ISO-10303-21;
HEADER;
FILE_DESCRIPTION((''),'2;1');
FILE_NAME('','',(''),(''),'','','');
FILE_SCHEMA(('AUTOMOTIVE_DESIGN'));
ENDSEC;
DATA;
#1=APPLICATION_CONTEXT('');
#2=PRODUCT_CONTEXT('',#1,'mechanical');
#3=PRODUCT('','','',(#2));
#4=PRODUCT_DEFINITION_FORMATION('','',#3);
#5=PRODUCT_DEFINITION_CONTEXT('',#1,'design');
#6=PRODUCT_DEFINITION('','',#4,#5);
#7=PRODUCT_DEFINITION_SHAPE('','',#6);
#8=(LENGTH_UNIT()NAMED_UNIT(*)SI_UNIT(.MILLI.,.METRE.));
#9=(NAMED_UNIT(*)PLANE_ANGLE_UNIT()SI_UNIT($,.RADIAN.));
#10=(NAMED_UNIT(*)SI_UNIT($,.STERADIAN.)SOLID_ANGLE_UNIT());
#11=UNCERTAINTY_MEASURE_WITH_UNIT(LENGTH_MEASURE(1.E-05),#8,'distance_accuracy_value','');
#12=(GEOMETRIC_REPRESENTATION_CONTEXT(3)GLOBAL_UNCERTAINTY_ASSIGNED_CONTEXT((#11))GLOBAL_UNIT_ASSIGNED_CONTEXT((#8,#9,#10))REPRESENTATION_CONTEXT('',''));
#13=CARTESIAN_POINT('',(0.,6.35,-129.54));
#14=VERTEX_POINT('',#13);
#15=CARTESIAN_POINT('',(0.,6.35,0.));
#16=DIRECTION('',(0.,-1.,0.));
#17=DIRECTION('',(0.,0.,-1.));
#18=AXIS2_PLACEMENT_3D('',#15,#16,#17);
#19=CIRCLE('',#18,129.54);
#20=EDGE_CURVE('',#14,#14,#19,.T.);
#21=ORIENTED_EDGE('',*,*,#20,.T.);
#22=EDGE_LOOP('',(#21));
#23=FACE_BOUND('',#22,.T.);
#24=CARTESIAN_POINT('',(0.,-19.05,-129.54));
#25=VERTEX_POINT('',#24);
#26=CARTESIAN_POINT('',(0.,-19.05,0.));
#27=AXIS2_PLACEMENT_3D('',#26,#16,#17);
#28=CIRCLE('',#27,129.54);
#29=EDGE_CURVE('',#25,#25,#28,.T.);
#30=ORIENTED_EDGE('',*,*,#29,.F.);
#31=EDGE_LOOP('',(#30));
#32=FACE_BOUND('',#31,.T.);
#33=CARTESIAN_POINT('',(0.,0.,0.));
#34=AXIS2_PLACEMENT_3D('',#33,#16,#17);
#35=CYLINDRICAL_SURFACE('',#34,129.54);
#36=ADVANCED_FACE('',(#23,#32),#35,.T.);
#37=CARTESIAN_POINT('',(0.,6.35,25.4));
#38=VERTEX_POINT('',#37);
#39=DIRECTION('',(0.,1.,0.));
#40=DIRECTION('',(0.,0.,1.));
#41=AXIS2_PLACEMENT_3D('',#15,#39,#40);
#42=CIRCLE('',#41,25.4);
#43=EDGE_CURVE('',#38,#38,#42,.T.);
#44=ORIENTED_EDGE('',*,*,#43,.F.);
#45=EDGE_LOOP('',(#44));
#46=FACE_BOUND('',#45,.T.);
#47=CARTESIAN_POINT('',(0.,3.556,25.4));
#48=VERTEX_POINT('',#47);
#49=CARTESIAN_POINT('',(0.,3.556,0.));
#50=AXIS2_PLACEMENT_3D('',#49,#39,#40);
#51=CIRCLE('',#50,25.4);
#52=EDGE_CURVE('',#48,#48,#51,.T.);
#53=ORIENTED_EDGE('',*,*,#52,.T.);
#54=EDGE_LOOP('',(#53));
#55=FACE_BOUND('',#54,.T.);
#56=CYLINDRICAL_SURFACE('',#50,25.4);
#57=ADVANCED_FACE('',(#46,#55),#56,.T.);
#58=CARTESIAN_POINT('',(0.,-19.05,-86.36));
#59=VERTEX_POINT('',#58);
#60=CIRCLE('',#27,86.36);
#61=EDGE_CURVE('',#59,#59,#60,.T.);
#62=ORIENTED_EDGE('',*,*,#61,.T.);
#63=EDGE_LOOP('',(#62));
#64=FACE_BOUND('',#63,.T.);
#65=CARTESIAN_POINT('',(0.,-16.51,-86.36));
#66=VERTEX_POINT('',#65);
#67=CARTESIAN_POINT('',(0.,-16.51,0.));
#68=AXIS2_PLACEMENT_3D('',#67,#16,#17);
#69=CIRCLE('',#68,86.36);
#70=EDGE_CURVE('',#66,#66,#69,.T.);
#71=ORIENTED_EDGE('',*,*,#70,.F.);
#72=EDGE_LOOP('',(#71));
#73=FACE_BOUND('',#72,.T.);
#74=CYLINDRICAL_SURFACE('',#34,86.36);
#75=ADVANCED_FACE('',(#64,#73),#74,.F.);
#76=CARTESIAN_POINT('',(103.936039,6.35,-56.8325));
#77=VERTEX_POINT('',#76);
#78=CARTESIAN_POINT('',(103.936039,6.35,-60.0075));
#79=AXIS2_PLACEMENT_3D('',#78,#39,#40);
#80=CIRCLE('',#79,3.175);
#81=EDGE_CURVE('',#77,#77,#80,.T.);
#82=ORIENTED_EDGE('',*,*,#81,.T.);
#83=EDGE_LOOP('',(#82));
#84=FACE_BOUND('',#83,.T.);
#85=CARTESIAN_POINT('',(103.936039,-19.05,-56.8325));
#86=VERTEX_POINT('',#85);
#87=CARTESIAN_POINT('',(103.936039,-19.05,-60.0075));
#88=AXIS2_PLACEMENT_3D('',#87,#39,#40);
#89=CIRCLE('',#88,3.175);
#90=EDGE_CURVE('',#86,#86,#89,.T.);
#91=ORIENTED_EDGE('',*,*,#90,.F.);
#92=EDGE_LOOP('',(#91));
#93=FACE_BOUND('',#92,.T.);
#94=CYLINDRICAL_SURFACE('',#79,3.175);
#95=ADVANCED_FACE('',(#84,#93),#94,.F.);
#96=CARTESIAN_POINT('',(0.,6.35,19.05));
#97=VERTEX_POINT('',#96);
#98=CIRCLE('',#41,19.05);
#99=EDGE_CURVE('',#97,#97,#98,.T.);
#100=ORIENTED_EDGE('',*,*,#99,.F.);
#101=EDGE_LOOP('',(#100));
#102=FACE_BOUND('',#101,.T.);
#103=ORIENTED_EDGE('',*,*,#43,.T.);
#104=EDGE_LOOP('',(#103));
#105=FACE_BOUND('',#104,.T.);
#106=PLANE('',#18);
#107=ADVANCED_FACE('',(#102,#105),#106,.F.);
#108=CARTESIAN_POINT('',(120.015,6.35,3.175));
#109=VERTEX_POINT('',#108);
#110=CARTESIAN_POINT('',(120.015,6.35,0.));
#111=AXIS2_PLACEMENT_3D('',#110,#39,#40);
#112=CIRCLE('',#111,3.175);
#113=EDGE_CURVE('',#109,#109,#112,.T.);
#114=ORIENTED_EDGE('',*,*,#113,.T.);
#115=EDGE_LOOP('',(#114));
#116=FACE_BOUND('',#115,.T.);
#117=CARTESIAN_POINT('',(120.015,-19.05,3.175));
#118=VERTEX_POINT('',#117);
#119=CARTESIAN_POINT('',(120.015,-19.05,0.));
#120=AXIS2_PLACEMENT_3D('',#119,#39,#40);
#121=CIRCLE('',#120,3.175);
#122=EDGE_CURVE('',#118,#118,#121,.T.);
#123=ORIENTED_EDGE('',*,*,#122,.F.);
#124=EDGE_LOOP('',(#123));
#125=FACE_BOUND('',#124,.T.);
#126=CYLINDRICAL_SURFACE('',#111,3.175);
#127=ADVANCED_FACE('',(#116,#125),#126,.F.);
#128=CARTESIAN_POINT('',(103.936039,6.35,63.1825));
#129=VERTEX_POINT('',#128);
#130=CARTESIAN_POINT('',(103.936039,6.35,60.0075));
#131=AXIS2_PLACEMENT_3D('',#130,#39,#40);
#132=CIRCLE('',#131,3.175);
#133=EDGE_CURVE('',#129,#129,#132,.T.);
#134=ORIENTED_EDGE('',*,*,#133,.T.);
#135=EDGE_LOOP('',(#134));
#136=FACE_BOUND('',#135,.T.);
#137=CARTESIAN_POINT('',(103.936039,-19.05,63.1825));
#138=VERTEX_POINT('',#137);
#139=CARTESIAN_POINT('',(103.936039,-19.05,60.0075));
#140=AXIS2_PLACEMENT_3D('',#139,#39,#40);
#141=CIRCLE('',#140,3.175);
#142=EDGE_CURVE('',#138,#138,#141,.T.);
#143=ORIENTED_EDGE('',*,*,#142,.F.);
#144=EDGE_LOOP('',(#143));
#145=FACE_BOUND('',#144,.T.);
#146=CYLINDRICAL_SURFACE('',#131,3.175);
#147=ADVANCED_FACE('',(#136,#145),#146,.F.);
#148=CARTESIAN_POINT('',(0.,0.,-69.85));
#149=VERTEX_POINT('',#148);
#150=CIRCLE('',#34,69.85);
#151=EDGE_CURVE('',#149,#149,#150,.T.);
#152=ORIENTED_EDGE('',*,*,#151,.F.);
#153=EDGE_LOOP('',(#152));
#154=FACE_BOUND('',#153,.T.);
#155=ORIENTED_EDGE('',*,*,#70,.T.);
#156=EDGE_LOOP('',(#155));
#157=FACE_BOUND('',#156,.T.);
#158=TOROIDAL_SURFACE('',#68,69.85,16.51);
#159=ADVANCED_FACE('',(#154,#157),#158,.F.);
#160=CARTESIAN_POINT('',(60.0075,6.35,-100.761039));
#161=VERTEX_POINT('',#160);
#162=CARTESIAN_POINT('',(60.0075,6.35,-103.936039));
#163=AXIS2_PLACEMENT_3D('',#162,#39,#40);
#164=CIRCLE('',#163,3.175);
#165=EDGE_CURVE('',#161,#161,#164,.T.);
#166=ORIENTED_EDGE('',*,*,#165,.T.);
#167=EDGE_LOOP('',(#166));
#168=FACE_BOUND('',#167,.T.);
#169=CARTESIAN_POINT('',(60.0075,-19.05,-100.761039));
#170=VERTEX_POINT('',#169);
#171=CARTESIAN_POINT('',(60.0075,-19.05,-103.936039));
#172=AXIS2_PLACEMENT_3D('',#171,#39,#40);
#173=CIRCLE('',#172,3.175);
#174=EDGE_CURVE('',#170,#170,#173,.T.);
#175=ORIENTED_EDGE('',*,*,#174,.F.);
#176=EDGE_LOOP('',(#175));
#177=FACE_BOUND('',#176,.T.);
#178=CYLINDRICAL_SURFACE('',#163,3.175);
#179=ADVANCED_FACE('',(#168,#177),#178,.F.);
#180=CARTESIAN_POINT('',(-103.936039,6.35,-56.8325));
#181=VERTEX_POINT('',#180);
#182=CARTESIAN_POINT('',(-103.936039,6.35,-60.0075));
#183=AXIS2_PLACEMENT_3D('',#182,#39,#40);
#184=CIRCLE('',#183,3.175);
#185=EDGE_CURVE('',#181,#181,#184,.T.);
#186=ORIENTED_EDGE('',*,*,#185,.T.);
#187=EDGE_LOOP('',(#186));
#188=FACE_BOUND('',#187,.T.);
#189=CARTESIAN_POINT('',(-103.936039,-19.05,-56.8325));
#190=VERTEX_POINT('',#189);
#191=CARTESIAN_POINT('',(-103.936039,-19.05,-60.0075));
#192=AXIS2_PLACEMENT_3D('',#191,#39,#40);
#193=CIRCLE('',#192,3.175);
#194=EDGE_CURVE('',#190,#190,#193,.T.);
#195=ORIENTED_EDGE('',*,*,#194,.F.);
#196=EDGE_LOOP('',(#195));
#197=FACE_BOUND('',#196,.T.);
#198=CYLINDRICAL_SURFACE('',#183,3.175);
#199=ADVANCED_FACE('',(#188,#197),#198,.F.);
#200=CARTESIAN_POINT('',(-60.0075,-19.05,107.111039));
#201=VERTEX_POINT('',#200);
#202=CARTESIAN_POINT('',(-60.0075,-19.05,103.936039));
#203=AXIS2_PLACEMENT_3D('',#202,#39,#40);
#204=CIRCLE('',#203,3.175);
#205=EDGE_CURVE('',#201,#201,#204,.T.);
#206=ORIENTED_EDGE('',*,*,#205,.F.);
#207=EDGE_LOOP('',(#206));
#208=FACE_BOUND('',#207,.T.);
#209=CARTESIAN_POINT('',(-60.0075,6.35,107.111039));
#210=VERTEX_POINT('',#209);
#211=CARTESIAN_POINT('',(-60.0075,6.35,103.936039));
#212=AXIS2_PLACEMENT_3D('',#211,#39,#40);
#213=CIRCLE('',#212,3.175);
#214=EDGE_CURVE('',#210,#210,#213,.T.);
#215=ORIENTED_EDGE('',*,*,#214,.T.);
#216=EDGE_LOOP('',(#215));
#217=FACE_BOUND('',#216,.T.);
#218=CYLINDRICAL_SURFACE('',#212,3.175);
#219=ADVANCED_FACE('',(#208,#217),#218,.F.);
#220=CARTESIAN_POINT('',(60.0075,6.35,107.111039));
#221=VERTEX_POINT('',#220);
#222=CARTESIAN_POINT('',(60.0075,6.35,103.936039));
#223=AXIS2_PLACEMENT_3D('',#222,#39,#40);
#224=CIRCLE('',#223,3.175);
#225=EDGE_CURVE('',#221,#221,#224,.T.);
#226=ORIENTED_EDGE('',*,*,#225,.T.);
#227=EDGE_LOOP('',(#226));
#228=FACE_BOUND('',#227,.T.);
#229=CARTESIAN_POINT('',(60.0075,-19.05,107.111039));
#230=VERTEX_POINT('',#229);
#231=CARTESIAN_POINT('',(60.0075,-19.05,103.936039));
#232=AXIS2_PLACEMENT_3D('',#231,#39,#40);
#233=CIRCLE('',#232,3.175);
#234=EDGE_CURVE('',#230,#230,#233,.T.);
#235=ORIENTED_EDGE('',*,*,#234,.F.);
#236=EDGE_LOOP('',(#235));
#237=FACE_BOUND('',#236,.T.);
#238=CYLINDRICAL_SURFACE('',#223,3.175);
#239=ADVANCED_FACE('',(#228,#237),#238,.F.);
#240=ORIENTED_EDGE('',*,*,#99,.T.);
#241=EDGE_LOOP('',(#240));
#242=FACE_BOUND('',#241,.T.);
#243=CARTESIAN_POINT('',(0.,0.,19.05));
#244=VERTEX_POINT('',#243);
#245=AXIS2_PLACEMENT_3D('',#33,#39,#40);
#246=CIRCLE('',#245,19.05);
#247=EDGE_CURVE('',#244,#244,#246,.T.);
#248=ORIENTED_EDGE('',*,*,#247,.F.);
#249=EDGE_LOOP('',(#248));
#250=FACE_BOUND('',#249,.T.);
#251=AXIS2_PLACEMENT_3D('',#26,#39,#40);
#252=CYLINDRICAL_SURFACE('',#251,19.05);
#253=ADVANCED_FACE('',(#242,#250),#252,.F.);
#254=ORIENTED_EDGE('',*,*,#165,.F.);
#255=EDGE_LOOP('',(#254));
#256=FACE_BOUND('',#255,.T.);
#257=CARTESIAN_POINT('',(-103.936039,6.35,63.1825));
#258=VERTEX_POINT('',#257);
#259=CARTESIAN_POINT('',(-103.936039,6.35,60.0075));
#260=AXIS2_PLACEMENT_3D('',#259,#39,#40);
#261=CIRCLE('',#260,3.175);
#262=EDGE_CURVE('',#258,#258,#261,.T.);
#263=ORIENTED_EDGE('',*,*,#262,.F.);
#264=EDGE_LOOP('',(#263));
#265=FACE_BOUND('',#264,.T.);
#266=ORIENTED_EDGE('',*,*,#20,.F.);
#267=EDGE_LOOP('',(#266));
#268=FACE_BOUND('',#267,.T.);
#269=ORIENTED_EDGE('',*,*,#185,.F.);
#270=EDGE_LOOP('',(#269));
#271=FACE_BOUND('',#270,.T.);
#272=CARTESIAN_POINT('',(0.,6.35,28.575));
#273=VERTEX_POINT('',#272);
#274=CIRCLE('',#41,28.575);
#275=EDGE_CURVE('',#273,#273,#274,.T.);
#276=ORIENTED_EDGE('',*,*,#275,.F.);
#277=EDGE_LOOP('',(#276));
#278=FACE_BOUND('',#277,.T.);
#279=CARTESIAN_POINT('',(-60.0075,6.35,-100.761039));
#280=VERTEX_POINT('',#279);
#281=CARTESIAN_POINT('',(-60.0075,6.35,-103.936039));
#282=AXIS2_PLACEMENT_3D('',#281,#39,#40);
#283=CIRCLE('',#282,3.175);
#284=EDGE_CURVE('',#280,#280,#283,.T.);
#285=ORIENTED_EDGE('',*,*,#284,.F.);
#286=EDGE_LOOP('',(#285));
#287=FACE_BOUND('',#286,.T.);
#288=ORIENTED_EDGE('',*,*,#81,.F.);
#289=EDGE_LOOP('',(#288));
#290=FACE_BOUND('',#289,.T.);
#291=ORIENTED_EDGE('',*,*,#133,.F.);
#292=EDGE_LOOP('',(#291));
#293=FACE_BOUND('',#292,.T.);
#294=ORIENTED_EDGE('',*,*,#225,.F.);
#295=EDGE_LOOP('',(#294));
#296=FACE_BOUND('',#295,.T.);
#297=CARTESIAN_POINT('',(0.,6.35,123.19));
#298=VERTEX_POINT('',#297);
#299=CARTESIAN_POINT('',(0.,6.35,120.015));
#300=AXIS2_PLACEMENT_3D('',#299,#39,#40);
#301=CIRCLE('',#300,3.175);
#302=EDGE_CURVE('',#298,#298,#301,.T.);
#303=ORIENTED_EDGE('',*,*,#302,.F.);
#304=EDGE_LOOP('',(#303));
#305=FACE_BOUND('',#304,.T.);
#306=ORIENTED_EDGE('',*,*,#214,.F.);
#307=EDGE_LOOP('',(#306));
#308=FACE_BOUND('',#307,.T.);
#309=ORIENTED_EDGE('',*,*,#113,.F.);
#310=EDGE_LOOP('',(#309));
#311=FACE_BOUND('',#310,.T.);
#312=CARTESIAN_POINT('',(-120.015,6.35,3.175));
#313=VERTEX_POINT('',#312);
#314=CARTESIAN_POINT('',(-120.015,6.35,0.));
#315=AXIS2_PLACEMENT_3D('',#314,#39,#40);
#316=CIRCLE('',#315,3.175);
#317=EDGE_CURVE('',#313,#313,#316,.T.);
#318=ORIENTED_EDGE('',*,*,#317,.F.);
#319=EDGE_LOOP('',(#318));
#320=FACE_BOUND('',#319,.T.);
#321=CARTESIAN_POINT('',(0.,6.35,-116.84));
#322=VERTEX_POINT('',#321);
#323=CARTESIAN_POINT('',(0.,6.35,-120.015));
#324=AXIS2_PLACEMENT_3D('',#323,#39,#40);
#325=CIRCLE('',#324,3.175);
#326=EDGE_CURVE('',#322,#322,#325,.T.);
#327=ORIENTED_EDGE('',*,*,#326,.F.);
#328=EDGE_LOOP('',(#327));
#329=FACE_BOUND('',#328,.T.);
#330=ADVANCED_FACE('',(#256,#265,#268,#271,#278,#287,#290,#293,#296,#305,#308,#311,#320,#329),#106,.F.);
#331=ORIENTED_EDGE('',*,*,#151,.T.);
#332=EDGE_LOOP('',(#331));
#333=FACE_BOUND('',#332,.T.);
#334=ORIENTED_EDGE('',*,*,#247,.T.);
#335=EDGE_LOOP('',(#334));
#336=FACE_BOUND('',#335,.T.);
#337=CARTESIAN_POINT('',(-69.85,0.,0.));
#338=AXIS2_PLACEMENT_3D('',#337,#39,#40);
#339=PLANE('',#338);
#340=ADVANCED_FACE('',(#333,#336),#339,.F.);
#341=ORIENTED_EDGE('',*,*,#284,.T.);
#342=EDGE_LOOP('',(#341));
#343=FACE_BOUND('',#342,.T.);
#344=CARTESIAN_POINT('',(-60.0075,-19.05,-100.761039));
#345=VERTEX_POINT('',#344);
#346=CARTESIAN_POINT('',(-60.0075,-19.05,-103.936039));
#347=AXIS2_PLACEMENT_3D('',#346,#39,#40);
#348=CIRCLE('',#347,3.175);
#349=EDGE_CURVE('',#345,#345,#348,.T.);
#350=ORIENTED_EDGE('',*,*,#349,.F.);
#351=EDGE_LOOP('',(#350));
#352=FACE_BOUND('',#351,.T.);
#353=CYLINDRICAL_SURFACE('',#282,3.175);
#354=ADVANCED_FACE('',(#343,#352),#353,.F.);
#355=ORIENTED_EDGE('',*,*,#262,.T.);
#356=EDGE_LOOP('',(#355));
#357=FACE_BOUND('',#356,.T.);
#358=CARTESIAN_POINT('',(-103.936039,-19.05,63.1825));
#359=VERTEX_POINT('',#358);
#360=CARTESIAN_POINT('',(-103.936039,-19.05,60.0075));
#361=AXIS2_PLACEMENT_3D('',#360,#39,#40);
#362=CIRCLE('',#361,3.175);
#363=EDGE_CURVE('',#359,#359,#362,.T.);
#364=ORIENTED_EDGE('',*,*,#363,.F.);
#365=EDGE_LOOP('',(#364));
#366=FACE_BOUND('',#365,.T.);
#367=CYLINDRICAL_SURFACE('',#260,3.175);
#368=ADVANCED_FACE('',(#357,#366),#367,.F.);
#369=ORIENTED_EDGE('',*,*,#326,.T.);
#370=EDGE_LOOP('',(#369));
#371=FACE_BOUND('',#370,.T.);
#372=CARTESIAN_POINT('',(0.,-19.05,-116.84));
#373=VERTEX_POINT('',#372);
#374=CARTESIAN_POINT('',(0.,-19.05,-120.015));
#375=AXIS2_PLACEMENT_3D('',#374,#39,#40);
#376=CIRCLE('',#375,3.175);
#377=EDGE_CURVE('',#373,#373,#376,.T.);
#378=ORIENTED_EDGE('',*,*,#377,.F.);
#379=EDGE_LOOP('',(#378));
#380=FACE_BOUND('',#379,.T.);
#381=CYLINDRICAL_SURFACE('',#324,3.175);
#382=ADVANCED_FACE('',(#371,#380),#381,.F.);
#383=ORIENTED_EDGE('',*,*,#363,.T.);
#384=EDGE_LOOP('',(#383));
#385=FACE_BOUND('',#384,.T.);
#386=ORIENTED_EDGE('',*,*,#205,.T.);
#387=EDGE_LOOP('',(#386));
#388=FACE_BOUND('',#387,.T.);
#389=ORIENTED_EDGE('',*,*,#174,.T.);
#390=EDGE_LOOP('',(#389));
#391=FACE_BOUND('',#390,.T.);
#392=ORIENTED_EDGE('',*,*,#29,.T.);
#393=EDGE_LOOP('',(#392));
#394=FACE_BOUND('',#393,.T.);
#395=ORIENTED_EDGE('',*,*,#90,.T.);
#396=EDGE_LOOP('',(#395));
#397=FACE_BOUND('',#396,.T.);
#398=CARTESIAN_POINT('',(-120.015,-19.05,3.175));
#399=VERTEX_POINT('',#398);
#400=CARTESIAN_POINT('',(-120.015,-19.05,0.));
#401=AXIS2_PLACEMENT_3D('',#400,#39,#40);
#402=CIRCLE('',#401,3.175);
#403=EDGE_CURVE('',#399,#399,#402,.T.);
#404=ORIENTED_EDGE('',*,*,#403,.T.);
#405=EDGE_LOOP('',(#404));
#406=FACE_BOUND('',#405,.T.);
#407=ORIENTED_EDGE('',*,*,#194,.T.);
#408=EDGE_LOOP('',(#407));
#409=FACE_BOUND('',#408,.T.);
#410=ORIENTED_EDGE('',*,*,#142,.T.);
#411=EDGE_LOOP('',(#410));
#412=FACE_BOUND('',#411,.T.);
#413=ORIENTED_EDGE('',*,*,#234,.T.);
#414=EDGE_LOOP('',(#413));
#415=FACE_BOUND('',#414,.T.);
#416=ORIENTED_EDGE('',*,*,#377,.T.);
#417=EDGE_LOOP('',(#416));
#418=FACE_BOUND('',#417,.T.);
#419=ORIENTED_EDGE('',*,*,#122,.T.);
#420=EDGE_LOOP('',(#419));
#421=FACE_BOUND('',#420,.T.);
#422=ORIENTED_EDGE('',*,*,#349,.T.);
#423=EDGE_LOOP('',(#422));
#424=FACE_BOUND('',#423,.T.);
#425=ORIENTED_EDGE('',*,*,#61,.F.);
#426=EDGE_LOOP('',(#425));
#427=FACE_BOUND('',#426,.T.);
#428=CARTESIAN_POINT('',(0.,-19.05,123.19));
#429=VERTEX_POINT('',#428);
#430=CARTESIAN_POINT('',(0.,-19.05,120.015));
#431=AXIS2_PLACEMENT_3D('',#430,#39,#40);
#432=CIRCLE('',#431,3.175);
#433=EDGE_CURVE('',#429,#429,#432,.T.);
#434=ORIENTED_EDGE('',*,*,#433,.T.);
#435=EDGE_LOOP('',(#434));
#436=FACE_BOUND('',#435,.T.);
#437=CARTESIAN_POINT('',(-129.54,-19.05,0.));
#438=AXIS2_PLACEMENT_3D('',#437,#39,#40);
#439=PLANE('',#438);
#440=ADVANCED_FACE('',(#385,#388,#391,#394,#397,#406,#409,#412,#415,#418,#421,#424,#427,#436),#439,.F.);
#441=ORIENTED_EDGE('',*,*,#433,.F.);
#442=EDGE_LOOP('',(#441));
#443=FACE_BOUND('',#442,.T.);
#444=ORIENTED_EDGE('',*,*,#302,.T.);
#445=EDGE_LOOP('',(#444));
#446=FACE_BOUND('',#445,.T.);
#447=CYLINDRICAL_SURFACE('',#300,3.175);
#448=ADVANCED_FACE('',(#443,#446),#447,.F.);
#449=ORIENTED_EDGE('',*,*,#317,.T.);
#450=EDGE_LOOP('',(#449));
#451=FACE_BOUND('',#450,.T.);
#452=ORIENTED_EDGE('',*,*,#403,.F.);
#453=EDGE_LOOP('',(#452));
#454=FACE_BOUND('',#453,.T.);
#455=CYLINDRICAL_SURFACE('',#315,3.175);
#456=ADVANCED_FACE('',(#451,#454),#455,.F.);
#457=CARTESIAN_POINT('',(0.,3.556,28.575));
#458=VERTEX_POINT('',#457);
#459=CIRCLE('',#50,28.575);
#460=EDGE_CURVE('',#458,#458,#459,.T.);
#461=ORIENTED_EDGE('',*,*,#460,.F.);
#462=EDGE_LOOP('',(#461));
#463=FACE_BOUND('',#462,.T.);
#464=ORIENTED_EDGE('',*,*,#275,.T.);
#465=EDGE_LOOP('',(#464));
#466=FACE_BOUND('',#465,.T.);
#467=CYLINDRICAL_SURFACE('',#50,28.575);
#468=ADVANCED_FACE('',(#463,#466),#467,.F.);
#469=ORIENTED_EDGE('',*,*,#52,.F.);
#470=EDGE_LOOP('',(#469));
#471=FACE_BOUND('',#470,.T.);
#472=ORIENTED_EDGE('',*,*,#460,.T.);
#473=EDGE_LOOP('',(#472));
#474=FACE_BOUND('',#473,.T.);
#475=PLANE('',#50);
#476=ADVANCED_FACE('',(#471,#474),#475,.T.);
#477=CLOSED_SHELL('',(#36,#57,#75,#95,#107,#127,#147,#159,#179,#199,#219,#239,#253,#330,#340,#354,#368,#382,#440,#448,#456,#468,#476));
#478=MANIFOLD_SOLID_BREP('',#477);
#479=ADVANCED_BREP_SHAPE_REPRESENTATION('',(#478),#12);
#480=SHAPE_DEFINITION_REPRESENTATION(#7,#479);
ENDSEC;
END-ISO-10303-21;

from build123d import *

# Parameters (mm, degrees)
SKETCH2_R                   = 19.05
CUT_EXTRUDE1_DEPTH          = 185.94967748
SKETCH3_R                   = 28.575
SKETCH3_R_2                 = 25.4
CUT_EXTRUDE2_DEPTH          = 2.794
F_1_4_0_25_DIAMETER_HOLE1_D = 6.35


with BuildPart() as part:
    # Sketch1 → Revolve1 (revolve)
    with BuildSketch(Plane.XY, mode=Mode.PRIVATE) as revolve1_sk:
        with BuildLine():
            Line((0, 0), (0, 6.35))
            Line((0, 6.35), (-129.54, 6.35))
            Line((-129.54, 6.35), (-129.54, -19.05))
            Line((-129.54, -19.05), (-86.36, -19.05))
            Line((-86.36, -19.05), (-86.36, -16.51))
            ThreePointArc((-86.36, -16.51), (-81.524332957, -4.835667043), (-69.85, 0))
            Line((-69.85, 0), (0, 0))
        make_face()
    revolve(revolve1_sk.sketch.rotate(Axis((0, 0, 0), (0, 1, 0)), 270), axis=Axis((0, 0, 0), (0, 1, 0)))

    # Sketch2 → Cut-Extrude1 (cut, through all)
    with BuildSketch(Plane(origin=(0, 6.35, 0), x_dir=(1, 0, 0), z_dir=(0, 1, 0))):
        with Locations(Location((0, 0, 0), (0, 0, 270))):
            Circle(SKETCH2_R)
    extrude(amount=-CUT_EXTRUDE1_DEPTH, mode=Mode.SUBTRACT)

    # Sketch3 → Cut-Extrude2 (cut)
    with BuildSketch(Plane(origin=(0, 6.35, 0), x_dir=(1, 0, 0), z_dir=(0, 1, 0))):
        with Locations(Location((0, 0, 0), (0, 0, 270))):
            Circle(SKETCH3_R)
        with Locations(Location((0, 0, 0), (0, 0, 270))):
            Circle(SKETCH3_R_2, mode=Mode.SUBTRACT)
    extrude(amount=-CUT_EXTRUDE2_DEPTH, mode=Mode.SUBTRACT)

    # 1/4 (0.25) Diameter Hole1 (through all)
    with Locations(Plane(origin=(0, 6.35, -120.015), x_dir=(0, 0, 1), z_dir=(0, 1, 0))):
        with Locations((0, 0), (16.078961165, -60.0075), (60.0075, -103.936038835), (120.015, -120.015), (180.0225, -103.936038835), (223.951038835, -60.0075), (240.03, 0), (223.951038835, 60.0075), (180.0225, 103.936038835), (120.015, 120.015), (60.0075, 103.936038835), (16.078961165, 60.0075)):
            Hole(F_1_4_0_25_DIAMETER_HOLE1_D / 2)


solid = part.part
